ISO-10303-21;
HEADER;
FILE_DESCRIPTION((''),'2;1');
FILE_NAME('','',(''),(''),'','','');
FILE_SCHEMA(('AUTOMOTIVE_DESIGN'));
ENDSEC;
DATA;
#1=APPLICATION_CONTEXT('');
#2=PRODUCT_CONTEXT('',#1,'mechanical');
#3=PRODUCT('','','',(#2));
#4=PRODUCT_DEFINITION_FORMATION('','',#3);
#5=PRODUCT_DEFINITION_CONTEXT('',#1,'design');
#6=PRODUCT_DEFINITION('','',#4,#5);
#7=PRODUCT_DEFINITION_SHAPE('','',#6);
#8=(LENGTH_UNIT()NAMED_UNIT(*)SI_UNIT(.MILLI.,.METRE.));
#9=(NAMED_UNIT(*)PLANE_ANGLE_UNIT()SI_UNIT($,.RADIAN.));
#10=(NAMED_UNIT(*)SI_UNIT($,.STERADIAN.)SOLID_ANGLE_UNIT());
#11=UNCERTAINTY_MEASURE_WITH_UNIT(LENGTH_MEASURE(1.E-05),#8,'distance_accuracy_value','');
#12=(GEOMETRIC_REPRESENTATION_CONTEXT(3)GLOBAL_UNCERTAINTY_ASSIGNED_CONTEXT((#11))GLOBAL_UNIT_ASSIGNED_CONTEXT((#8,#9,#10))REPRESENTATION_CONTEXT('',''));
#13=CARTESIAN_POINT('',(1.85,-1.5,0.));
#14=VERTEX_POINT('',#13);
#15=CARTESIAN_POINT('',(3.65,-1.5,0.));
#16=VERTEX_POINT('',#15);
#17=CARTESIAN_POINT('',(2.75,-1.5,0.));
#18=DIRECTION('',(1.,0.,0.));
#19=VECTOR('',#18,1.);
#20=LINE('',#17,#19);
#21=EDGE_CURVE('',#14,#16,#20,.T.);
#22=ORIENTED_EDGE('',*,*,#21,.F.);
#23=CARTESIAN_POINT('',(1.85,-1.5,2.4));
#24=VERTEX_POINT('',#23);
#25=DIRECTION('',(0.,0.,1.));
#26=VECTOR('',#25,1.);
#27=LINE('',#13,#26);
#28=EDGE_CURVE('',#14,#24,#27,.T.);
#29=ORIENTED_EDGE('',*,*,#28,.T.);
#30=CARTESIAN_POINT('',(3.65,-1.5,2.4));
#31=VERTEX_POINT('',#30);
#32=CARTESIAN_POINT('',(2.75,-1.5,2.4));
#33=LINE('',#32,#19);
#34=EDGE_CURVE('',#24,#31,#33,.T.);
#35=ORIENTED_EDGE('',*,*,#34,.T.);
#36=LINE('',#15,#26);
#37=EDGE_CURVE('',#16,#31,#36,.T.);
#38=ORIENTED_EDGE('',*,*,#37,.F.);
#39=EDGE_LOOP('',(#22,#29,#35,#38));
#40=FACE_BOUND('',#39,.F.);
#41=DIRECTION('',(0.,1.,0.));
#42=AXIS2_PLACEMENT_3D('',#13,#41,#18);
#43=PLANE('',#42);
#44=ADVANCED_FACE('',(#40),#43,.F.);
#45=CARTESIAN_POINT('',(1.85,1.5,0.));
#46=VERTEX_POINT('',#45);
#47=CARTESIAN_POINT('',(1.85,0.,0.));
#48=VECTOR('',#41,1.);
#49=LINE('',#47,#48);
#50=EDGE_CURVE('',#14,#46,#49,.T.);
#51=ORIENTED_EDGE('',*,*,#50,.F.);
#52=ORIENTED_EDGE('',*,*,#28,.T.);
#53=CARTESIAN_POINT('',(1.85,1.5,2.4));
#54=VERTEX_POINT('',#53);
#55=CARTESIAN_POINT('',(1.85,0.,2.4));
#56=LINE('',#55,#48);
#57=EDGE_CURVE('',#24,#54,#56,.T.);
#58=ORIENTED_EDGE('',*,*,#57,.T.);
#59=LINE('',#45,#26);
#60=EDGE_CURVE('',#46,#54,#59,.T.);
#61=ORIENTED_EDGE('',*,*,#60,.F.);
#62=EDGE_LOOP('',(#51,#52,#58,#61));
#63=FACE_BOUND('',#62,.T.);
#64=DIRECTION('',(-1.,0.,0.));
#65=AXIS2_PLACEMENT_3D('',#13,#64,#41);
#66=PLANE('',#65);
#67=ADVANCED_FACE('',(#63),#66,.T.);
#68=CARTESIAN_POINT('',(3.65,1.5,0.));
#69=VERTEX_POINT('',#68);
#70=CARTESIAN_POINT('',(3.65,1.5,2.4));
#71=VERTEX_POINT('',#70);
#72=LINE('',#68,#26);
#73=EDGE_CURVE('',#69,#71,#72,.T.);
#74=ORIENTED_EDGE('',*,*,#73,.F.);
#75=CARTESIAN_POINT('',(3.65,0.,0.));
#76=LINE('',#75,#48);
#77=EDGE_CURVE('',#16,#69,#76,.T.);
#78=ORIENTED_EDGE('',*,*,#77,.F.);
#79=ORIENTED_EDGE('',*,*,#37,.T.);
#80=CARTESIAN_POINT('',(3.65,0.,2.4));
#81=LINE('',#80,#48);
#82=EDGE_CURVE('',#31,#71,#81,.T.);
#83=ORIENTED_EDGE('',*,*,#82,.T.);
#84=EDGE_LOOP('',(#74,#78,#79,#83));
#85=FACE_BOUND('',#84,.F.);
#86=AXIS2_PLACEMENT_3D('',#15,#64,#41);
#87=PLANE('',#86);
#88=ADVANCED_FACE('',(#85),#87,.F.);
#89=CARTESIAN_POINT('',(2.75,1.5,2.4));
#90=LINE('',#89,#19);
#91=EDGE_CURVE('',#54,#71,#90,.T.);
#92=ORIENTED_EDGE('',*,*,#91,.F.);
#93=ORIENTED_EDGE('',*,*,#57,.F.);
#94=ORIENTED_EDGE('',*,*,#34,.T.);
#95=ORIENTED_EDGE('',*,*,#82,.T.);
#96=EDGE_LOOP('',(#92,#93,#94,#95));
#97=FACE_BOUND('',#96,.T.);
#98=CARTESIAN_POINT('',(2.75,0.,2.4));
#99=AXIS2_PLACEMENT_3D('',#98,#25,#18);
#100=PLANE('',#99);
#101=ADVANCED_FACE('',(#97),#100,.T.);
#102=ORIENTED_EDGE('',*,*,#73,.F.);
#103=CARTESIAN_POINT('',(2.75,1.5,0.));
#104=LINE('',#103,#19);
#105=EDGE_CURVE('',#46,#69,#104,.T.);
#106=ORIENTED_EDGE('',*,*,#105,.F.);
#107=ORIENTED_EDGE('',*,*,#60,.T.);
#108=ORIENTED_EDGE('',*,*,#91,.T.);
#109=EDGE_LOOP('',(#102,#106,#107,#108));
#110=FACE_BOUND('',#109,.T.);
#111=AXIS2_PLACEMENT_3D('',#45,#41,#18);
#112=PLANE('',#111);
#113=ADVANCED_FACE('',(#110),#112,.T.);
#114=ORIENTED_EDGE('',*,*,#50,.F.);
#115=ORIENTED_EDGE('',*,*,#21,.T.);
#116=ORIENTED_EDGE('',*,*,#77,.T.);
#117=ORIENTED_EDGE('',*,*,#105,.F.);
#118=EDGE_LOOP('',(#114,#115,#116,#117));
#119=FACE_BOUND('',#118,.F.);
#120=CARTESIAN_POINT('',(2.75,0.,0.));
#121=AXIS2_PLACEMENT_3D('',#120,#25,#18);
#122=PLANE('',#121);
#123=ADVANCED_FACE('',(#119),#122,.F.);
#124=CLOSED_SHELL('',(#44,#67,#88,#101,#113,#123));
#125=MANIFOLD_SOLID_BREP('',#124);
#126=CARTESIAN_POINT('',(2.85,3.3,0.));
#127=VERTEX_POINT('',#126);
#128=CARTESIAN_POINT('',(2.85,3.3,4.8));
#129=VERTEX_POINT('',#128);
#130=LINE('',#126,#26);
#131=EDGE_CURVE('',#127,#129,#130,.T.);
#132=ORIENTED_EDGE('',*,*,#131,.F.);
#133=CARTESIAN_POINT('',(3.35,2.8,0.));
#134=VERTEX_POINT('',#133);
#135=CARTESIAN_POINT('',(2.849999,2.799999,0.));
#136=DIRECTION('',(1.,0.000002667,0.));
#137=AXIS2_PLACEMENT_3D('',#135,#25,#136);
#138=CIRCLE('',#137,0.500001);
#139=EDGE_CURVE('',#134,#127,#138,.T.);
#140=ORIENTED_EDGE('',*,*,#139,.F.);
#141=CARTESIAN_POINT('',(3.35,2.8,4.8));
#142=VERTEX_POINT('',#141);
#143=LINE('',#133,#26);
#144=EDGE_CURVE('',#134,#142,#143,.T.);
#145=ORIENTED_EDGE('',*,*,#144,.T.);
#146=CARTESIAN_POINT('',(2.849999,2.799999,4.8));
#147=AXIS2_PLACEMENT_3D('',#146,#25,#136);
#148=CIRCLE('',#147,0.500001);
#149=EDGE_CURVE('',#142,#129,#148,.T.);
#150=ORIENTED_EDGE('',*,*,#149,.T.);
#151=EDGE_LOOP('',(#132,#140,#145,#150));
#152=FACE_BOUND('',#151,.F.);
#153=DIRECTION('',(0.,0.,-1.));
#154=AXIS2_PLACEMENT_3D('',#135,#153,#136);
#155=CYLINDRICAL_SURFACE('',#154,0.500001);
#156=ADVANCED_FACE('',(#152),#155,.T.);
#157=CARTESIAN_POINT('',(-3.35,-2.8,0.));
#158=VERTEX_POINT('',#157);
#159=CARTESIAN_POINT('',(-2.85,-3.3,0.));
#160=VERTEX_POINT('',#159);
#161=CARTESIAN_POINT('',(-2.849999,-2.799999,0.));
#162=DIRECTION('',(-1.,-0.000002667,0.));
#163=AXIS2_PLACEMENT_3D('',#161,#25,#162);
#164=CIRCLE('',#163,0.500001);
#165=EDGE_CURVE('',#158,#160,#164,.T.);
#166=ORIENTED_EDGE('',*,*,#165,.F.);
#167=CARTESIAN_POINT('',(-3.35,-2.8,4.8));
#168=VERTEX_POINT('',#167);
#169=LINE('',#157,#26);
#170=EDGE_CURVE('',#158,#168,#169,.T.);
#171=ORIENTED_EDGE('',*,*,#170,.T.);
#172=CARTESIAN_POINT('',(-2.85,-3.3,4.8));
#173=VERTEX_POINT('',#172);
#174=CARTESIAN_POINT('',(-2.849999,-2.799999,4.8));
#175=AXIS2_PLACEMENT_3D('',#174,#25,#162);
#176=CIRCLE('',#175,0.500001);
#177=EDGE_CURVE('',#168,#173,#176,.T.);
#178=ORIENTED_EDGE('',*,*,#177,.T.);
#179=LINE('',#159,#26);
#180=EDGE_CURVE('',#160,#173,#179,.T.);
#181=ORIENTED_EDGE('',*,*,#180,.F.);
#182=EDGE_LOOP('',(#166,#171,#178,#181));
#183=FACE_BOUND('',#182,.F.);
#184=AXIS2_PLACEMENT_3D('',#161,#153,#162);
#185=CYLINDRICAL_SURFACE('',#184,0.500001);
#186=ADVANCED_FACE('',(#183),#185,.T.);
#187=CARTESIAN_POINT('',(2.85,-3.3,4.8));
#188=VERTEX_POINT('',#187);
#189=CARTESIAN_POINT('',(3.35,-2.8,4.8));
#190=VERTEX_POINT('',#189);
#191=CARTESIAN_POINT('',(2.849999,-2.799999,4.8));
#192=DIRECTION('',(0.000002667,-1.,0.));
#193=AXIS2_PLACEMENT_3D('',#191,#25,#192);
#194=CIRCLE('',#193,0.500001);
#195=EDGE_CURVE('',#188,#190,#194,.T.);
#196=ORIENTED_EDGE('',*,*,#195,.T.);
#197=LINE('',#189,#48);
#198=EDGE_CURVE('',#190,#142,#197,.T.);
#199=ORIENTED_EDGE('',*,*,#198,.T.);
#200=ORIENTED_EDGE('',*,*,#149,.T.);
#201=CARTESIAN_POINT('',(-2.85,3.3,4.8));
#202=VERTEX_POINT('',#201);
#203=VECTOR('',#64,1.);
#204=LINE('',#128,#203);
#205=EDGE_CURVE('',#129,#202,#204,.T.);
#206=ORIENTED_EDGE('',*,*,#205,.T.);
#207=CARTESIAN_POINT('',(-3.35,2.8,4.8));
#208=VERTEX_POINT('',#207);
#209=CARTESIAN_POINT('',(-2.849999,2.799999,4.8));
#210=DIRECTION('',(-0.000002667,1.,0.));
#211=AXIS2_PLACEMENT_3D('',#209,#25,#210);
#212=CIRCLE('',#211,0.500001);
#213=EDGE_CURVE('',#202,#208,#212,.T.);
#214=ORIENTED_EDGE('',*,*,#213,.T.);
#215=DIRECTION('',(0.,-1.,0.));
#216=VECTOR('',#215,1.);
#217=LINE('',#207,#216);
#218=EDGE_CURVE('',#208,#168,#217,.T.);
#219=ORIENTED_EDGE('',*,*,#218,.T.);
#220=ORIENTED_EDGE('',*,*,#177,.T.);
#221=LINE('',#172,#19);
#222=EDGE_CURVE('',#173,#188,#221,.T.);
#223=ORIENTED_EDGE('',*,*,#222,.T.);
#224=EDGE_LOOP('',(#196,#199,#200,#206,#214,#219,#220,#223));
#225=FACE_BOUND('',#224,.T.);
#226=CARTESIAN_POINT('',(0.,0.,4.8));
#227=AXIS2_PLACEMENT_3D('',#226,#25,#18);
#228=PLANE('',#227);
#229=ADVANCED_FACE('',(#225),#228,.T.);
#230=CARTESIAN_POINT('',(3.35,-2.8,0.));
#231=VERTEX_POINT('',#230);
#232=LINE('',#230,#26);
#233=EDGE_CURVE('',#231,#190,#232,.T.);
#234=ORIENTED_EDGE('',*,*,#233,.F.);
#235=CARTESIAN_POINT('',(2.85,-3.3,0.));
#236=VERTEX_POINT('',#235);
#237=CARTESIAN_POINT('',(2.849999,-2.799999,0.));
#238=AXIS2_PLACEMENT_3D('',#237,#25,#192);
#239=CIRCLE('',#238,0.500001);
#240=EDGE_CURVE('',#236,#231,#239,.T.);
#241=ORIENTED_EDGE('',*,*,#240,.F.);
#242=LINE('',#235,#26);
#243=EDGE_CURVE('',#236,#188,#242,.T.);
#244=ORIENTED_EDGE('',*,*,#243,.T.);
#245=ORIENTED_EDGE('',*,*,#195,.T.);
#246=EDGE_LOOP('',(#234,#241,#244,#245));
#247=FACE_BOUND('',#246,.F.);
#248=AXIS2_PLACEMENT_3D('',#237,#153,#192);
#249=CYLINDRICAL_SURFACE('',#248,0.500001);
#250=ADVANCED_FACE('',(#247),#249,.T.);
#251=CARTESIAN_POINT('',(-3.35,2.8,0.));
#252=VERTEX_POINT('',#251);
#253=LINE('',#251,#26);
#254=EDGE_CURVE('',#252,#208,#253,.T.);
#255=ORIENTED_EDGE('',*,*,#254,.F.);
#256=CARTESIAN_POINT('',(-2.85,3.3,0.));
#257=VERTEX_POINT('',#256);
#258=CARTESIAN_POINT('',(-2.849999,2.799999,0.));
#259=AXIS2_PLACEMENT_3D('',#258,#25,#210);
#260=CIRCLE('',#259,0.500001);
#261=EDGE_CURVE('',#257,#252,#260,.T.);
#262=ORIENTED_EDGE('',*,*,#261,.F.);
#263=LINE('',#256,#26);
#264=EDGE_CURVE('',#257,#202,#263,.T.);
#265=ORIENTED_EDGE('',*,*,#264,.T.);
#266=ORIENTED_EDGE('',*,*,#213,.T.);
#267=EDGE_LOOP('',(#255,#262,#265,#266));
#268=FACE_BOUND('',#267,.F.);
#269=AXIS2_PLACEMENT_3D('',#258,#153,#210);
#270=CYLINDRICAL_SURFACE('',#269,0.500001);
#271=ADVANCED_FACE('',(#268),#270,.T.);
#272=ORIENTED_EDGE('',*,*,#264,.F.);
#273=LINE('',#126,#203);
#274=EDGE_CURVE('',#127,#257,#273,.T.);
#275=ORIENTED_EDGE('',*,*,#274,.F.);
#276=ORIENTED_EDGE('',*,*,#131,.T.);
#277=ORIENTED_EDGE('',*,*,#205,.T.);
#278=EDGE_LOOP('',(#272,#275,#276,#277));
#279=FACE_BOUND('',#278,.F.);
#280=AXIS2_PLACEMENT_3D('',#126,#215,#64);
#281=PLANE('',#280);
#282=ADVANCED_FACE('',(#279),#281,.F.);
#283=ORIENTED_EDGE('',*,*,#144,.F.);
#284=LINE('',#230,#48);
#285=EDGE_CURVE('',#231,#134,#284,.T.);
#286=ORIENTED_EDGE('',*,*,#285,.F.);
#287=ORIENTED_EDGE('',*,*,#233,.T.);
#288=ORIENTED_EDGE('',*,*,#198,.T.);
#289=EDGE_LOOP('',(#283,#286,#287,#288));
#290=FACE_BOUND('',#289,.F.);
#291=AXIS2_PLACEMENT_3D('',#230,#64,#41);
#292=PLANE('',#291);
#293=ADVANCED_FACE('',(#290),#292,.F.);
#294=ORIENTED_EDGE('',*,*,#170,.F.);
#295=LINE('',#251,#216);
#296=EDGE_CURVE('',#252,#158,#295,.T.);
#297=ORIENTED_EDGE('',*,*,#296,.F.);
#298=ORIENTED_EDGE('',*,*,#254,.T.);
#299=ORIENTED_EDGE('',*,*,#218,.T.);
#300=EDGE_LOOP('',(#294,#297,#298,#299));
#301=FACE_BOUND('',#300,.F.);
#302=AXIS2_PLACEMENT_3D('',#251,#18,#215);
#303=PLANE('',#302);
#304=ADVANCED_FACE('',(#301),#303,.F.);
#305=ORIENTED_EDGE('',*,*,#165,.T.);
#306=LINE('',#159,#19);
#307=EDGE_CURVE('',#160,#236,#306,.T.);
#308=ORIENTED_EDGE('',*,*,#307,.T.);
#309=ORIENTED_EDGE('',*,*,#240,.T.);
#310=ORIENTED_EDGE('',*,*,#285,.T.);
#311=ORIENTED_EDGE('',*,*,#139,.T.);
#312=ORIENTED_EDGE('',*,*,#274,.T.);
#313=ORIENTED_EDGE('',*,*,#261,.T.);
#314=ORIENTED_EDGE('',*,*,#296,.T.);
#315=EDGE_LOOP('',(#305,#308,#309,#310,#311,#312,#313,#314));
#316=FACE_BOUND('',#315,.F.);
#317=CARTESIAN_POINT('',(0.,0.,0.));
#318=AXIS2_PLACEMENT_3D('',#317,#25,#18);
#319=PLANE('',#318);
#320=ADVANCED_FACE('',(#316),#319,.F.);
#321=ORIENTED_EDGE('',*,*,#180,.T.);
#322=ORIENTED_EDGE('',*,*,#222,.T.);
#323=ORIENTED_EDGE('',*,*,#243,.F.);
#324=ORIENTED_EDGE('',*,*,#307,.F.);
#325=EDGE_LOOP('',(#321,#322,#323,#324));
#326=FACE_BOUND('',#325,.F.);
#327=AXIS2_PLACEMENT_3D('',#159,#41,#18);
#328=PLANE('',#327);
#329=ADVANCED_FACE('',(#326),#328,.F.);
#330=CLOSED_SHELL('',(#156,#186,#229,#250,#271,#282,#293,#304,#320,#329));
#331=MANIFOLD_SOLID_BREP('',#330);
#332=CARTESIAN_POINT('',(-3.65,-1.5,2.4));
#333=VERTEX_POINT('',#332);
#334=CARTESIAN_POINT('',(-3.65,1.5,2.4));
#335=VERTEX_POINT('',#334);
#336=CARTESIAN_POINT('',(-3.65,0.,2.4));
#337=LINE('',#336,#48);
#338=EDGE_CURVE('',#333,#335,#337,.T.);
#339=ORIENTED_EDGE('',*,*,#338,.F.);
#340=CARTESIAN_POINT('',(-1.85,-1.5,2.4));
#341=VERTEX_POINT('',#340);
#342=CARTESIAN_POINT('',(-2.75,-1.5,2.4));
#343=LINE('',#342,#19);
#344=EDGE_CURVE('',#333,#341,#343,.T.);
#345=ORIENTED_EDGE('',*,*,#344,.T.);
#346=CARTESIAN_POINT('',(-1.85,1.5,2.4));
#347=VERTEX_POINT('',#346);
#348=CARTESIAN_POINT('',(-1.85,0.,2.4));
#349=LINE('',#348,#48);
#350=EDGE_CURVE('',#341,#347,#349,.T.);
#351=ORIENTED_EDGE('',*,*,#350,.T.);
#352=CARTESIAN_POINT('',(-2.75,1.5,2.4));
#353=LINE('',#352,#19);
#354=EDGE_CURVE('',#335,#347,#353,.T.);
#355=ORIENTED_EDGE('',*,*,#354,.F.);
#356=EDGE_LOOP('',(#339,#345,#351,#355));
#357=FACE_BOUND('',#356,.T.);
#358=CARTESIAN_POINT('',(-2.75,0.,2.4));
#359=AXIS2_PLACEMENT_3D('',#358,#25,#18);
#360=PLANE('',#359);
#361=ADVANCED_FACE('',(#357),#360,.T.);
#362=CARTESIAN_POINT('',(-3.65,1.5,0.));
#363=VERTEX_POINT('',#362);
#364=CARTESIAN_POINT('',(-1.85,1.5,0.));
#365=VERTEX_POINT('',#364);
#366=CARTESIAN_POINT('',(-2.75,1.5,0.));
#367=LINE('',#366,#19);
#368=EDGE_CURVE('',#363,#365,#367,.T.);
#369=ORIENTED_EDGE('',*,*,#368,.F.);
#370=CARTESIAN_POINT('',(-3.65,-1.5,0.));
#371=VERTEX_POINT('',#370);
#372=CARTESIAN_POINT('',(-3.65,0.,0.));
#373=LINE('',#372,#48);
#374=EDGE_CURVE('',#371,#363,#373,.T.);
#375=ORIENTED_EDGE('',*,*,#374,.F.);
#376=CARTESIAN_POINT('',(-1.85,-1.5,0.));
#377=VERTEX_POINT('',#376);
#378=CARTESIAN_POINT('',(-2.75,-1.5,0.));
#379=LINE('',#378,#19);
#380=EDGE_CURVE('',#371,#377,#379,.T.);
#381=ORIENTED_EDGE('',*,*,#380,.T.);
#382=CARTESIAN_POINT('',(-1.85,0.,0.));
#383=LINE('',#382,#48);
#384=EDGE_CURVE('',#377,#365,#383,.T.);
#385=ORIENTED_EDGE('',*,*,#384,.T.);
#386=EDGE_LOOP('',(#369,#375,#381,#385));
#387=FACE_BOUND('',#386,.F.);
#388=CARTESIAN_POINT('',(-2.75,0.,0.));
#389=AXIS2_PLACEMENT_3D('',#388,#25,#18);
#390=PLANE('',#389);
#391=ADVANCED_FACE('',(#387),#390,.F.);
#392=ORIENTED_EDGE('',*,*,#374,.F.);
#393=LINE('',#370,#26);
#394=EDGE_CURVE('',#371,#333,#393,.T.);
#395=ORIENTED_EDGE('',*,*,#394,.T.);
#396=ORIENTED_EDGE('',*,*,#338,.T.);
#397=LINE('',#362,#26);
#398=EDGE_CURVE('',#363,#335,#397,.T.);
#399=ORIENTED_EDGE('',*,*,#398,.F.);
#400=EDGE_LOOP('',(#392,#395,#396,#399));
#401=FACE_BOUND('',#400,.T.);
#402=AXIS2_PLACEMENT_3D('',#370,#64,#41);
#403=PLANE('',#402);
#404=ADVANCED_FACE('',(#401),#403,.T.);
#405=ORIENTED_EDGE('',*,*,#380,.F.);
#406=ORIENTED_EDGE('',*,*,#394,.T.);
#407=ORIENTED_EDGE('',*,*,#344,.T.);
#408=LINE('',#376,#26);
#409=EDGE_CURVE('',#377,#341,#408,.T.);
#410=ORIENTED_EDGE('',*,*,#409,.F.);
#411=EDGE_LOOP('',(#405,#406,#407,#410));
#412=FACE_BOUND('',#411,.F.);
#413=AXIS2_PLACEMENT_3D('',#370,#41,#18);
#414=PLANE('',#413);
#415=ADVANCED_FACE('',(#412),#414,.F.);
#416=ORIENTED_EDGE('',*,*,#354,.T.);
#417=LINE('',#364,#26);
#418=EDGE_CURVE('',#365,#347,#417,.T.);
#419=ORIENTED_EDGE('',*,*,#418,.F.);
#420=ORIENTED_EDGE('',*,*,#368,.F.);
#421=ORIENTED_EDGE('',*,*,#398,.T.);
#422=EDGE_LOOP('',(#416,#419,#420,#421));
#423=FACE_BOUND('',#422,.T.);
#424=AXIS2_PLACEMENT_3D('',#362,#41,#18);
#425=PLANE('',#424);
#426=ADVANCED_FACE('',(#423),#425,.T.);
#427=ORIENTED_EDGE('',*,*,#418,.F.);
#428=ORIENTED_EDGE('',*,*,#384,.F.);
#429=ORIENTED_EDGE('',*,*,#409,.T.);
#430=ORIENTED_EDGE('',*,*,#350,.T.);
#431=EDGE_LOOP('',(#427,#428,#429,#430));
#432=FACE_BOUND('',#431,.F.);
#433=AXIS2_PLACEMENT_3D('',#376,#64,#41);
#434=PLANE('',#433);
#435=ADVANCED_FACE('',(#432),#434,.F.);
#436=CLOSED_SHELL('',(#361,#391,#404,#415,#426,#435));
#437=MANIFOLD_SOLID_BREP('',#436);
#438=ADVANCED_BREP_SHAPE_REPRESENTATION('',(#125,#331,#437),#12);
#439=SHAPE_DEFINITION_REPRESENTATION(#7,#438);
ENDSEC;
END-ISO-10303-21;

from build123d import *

# Parameters (mm, degrees)
F0_W     = 1.8
F0_H     = 3
F1_DEPTH = 2.4
F3_DEPTH = 4.8


with BuildPart() as f1:
    # F0 (on Top) → F1 (new body)
    with BuildSketch(Plane.XY):
        with Locations((-2.75, 0)):
            Rectangle(F0_W, F0_H)
        with Locations((2.75, 0)):
            Rectangle(F0_W, F0_H)
    extrude(amount=F1_DEPTH)


with BuildPart() as f3:
    # F2 (on Top) → F3 (new body)
    with BuildSketch(Plane.XY):
        with BuildLine():
            Line((2.85, 3.3), (-2.85, 3.3))
            ThreePointArc((-2.85, 3.3), (-3.203553, 3.153553), (-3.35, 2.8))
            Line((-3.35, 2.8), (-3.35, -2.8))
            ThreePointArc((-3.35, -2.8), (-3.203553, -3.153553), (-2.85, -3.3))
            Line((-2.85, -3.3), (2.85, -3.3))
            ThreePointArc((2.85, -3.3), (3.203553, -3.153553), (3.35, -2.8))
            Line((3.35, -2.8), (3.35, 2.8))
            ThreePointArc((3.35, 2.8), (3.203553, 3.153553), (2.85, 3.3))
        make_face()
    extrude(amount=F3_DEPTH)


solid = Compound([f1.part, f3.part])
